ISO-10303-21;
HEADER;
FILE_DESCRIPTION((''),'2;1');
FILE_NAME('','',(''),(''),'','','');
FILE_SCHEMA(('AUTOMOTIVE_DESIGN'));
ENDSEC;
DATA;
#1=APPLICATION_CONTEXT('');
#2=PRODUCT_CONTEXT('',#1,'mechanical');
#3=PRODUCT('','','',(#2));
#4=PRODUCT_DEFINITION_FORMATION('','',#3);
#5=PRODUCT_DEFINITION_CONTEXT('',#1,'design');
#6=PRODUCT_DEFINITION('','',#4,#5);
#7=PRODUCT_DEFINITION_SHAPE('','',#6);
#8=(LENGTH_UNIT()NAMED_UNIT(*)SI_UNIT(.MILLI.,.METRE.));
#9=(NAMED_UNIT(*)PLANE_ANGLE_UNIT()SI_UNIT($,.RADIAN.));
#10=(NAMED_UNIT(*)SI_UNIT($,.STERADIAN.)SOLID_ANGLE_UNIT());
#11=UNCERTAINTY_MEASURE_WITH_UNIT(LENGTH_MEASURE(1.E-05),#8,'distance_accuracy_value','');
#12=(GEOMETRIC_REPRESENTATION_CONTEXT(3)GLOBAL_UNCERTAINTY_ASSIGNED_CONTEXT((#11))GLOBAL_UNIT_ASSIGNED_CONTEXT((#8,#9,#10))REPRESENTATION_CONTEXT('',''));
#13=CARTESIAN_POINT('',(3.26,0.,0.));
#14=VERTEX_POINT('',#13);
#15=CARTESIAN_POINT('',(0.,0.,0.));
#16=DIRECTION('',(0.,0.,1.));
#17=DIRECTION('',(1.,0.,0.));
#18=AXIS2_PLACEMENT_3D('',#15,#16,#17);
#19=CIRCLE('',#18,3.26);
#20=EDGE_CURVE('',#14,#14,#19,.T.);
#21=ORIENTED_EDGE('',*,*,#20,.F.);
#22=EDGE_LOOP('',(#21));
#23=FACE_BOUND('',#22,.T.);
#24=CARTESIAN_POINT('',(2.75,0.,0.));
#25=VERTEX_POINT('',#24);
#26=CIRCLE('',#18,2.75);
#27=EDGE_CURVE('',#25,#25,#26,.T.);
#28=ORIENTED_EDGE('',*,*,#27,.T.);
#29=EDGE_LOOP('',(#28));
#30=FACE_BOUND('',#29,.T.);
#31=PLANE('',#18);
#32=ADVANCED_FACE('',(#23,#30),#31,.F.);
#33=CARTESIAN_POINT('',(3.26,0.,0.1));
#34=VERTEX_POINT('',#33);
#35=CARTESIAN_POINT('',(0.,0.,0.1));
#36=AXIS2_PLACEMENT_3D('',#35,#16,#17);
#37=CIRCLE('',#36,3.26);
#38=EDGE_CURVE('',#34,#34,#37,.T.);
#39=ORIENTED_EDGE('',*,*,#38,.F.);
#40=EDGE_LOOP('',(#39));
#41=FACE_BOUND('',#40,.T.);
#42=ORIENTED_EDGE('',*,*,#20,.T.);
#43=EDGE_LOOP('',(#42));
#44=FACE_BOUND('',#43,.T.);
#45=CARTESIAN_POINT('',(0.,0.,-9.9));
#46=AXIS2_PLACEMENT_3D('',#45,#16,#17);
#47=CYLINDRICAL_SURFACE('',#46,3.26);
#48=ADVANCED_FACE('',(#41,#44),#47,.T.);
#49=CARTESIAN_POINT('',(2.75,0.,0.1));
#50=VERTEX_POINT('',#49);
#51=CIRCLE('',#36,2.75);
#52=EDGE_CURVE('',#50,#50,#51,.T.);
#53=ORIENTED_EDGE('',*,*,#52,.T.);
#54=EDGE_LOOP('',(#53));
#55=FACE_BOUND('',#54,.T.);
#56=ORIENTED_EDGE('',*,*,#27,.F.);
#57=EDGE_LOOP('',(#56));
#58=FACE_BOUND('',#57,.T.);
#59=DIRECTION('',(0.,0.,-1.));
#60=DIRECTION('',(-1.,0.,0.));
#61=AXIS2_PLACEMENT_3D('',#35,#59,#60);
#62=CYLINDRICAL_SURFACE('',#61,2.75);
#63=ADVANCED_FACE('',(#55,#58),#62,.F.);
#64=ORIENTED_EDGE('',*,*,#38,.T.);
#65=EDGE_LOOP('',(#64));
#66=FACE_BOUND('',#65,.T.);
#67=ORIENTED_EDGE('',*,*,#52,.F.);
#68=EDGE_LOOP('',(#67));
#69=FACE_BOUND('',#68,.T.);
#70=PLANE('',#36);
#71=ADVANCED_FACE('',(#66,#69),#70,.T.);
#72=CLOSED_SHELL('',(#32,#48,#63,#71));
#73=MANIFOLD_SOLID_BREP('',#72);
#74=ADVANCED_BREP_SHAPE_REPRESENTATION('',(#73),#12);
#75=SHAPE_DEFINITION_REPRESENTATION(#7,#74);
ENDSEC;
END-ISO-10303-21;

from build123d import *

# Parameters (mm, degrees)
SKETCH1_R           = 3.586563548
SKETCH1_R_2         = 2.75
BOSS_EXTRUDE1_DEPTH = 0.1
SKETCH2_R           = 4.144167201
SKETCH2_R_2         = 3.26
CUT_EXTRUDE1_DEPTH  = 10


with BuildPart() as part:
    # Sketch1 → Boss-Extrude1 (new body)
    with BuildSketch(Plane.XY):
        Circle(SKETCH1_R)
        Circle(SKETCH1_R_2, mode=Mode.SUBTRACT)
    extrude(amount=BOSS_EXTRUDE1_DEPTH)

    # Sketch2 → Cut-Extrude1 (cut)
    with BuildSketch(Plane.XY.offset(0.1)):
        Circle(SKETCH2_R)
        Circle(SKETCH2_R_2, mode=Mode.SUBTRACT)
    extrude(amount=-CUT_EXTRUDE1_DEPTH, mode=Mode.SUBTRACT)


solid = part.part
